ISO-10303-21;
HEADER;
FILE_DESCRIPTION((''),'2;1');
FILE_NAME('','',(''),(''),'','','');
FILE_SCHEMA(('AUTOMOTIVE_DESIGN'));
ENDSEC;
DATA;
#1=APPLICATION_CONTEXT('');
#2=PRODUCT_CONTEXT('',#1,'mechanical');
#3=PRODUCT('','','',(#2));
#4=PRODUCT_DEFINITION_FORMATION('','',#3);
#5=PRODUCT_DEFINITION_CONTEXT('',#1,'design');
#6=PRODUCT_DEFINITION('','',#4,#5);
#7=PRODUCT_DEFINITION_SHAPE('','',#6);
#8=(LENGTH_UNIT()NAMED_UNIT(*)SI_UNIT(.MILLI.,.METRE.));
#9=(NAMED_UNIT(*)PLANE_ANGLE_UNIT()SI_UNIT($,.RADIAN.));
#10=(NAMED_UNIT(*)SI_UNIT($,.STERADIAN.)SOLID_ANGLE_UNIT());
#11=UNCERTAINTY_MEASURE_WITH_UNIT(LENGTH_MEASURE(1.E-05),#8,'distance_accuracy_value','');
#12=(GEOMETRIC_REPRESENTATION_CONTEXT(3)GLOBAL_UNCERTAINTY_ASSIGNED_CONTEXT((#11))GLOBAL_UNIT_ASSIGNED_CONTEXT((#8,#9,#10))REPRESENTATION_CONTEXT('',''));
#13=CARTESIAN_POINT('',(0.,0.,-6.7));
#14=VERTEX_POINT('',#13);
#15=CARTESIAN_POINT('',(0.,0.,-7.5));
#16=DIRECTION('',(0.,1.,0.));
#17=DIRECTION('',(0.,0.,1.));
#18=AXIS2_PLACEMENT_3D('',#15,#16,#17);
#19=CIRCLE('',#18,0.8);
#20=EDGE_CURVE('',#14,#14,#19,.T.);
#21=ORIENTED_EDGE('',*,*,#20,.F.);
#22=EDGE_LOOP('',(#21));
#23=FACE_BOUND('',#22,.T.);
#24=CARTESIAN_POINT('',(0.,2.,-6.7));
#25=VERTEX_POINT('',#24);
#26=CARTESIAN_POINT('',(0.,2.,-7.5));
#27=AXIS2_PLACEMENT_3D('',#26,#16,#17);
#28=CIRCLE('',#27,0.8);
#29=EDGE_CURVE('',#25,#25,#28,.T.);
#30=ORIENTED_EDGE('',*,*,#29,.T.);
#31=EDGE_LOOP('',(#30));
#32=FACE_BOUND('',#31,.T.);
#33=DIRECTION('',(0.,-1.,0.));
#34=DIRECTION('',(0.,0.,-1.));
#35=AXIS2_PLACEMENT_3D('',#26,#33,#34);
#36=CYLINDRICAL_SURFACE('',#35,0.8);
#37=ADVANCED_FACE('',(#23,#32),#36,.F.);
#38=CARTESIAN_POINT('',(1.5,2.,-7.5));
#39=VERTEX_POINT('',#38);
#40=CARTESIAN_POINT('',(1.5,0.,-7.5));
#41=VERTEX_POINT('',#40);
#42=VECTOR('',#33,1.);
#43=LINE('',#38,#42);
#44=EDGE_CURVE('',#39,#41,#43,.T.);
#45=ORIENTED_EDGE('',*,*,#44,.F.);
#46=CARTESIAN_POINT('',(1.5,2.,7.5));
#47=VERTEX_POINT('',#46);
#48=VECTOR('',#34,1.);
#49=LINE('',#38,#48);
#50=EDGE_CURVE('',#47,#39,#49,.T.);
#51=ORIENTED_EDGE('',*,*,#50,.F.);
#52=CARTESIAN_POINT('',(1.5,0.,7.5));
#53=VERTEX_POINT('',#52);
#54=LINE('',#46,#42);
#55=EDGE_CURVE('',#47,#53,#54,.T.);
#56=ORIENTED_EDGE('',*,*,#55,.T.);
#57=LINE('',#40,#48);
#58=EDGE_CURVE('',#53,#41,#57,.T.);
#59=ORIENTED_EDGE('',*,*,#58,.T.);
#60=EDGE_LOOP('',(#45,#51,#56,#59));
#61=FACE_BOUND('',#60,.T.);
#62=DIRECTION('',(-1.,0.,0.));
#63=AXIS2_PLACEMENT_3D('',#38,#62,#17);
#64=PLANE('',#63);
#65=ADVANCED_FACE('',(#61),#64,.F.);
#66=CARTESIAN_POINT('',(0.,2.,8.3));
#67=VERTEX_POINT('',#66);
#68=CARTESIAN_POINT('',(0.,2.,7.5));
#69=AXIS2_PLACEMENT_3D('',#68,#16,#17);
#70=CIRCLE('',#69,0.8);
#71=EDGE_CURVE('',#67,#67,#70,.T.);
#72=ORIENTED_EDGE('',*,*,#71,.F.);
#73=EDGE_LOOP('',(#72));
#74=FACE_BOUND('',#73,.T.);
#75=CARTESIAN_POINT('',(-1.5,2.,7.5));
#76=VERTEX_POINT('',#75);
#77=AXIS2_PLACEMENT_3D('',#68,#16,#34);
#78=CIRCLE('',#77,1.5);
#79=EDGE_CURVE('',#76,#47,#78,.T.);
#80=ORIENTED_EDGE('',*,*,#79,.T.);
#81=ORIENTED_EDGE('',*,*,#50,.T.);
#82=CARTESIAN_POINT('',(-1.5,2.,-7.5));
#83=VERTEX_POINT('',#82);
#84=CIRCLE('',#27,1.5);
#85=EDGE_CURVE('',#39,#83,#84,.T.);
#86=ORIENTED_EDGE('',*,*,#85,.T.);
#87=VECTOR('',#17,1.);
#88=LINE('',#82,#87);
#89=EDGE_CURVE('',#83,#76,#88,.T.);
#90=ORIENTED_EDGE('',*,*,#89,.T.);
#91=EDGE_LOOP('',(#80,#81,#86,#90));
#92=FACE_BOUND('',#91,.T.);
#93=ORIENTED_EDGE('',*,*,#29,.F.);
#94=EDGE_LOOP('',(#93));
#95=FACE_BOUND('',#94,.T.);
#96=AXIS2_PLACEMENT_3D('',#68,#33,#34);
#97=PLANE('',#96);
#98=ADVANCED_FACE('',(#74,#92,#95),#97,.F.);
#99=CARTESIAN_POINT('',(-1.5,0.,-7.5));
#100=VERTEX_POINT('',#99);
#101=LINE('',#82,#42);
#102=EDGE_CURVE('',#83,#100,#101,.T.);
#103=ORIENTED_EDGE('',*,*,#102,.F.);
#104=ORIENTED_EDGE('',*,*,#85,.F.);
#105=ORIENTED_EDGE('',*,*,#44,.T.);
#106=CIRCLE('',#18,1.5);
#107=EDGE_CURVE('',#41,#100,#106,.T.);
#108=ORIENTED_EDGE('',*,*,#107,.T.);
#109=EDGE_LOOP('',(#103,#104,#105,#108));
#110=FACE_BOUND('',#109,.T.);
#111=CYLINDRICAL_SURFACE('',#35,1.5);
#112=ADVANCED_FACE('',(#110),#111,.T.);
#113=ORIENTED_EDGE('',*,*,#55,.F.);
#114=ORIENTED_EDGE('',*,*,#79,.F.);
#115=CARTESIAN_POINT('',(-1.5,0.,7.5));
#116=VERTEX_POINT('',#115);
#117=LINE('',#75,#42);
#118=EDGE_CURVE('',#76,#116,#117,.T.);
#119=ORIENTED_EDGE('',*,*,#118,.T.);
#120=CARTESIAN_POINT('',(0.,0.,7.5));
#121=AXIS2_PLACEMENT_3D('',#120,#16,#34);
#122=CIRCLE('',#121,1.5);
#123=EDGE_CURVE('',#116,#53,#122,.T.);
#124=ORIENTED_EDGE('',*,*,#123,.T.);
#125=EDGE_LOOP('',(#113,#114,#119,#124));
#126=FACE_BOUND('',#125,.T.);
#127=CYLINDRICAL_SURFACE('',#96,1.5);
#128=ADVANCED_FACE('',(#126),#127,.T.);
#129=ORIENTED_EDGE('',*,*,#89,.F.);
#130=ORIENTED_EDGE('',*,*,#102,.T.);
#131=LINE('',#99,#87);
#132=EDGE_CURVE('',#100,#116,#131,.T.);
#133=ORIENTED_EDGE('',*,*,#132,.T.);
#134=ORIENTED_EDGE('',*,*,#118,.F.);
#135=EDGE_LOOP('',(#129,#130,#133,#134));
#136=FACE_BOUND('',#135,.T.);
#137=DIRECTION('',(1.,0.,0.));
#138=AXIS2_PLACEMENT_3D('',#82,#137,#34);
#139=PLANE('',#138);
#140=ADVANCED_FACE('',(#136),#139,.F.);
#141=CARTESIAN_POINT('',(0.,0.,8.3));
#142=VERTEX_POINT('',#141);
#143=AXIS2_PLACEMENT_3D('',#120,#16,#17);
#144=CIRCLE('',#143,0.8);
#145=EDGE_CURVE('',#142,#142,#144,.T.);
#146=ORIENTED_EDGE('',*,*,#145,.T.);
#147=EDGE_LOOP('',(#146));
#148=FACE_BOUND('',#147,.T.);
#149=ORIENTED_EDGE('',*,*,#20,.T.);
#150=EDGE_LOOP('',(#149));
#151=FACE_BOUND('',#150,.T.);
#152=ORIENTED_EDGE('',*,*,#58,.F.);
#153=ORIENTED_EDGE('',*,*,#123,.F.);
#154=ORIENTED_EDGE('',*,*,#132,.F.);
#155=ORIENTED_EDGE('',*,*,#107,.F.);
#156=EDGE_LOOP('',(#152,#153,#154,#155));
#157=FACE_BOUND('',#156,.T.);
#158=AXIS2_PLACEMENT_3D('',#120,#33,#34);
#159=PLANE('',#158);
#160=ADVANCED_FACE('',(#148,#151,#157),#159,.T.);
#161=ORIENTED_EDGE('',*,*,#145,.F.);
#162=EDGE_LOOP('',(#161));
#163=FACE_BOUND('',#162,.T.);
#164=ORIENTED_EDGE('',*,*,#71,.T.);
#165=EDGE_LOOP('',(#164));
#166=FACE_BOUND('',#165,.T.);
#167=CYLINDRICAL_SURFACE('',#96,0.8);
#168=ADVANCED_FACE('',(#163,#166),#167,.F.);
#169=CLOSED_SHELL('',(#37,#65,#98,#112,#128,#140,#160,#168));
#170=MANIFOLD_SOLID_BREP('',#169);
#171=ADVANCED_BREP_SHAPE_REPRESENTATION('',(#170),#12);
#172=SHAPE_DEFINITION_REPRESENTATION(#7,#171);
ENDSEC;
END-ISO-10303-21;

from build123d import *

# Parameters (mm, degrees)
SKETCH1_R           = 0.8
BOSS_EXTRUDE1_DEPTH = 2


with BuildPart() as part:
    # Sketch1 → Boss-Extrude1 (new body)
    with BuildSketch(Plane(origin=(0, 0, 0), x_dir=(1, 0, 0), z_dir=(0, 1, 0))):
        with BuildLine():
            Line((-1.5, 7.5), (-1.5, -7.5))
            ThreePointArc((-1.5, -7.5), (0, -9), (1.5, -7.5))
            Line((1.5, -7.5), (1.5, 7.5))
            ThreePointArc((1.5, 7.5), (0, 9), (-1.5, 7.5))
        make_face()
        with Locations((0, 7.5)):
            Circle(SKETCH1_R, mode=Mode.SUBTRACT)
        with Locations((0, -7.5)):
            Circle(SKETCH1_R, mode=Mode.SUBTRACT)
    extrude(amount=BOSS_EXTRUDE1_DEPTH)


solid = part.part
